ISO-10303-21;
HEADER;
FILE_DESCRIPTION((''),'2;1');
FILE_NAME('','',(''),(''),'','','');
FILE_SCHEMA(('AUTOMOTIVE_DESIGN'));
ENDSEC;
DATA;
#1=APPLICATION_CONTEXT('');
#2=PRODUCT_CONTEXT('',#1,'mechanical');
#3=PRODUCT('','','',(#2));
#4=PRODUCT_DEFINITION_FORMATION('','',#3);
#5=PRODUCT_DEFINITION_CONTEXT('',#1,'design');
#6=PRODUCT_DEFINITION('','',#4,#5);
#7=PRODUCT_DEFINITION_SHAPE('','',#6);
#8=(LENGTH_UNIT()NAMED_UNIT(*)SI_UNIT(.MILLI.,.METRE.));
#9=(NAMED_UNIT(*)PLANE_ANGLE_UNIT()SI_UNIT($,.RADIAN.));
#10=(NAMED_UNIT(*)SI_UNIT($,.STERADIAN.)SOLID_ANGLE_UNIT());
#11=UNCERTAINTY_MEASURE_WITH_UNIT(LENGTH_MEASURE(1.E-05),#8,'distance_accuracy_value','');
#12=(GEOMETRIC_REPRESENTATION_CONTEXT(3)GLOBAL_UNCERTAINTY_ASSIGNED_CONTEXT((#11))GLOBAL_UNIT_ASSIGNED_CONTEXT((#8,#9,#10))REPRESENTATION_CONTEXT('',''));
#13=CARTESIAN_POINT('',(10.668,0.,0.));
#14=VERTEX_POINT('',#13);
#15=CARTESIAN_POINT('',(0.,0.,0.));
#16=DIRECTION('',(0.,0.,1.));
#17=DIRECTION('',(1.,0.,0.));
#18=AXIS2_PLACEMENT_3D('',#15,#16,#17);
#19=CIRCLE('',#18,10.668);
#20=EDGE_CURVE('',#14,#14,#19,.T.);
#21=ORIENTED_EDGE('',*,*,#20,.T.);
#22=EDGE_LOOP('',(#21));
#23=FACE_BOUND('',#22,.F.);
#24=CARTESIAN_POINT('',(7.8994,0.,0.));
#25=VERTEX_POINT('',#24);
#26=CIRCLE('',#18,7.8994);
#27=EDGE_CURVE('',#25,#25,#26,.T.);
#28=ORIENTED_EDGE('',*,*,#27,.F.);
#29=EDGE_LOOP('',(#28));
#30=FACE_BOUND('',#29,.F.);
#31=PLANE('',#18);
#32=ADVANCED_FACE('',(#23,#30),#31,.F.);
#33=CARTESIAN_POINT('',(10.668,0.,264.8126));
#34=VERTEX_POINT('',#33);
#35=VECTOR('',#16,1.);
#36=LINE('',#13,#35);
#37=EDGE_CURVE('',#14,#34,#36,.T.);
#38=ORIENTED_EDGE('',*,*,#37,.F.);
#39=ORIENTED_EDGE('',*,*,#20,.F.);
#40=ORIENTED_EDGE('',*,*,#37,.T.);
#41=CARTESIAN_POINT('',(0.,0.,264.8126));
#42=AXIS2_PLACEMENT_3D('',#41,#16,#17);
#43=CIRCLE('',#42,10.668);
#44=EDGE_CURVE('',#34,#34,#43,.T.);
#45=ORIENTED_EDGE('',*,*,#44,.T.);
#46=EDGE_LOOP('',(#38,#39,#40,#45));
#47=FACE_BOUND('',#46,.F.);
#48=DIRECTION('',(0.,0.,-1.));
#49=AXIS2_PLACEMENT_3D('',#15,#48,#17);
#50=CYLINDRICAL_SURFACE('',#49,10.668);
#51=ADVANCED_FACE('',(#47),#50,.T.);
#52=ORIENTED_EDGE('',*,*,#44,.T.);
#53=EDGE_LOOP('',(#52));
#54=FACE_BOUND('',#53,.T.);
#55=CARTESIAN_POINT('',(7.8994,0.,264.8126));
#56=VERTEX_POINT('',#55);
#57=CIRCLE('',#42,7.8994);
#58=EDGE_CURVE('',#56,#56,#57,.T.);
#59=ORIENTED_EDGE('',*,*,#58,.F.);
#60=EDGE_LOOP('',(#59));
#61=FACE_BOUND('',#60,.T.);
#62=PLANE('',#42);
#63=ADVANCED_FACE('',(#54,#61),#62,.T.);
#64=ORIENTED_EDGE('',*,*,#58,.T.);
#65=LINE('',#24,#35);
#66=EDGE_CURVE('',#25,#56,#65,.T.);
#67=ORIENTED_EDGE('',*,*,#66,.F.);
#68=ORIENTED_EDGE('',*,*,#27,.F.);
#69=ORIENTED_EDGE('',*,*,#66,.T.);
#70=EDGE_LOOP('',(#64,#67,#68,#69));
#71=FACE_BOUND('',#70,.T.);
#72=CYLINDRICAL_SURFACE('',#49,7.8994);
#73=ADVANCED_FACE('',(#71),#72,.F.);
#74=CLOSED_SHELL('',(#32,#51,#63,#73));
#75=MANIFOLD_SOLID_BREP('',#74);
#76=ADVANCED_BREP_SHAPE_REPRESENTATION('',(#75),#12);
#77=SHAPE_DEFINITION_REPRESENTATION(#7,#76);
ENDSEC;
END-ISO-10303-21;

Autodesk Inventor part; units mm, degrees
ref_plane "YZ Plane" through (0, 0, 0) normal (1, 0, 0) x (0, 1, 0)
ref_plane "Start Plane" through (0, 0, 0) normal (0, 0, 1) x (1, 0, 0)
ref_plane "End Plane" through (0, 0, 264.8126) normal (0, 0, 1) x (1, 0, 0)
sketch "Sketch" plane through (0, 0, 0) normal (0, 0, 1) x (1, 0, 0)
  circle A0 centre (0, 0) radius 7.8994
  circle A1 centre (0, 0) radius 10.668
  dimension "d0" = 21.336
  dimension "d1" = 2.7686
extrude "Body" add sketch "Sketch" along normal up to surface (264.8126 mm away) from surface at 0
sketch "Sketch3" plane through (0, 0, 0) normal (0, 0, 1) x (1, 0, 0)
  line L0 (0, 0) -> (10, 0)
ref_plane "Work Plane3" through (0, 0, 0) normal (0, -1, 0) x (1, 0, 0)
sketch "Sketch4" plane through (0, 0, 0) normal (0, -1, 0) x (1, 0, 0)
  line L0 (-2, 0) -> (12, 0) projected
  line L1 (-2, 264.8126) -> (12, 264.8126) projected
  dimension "d7" = 264.8126
equation "\"d0\" = G_H"
equation "\"d1\" = G_T"
equation "\"d2\" = G_L"
equation "\"G_H\" = 21.336"
equation "\"G_T\" = 2.7686"
equation "\"G_L\" = d7"
equation "\"G_OFFSET_START\" = 0"
equation "\"G_OFFSET_END\" = 0"
equation "\"d5\" = G_OFFSET_END + B_L"
equation "\"B_L\" = 264.81262"
properties part number "ANSI - 1/2 x 0.109 - 10.426" material "Steel, Mild"
